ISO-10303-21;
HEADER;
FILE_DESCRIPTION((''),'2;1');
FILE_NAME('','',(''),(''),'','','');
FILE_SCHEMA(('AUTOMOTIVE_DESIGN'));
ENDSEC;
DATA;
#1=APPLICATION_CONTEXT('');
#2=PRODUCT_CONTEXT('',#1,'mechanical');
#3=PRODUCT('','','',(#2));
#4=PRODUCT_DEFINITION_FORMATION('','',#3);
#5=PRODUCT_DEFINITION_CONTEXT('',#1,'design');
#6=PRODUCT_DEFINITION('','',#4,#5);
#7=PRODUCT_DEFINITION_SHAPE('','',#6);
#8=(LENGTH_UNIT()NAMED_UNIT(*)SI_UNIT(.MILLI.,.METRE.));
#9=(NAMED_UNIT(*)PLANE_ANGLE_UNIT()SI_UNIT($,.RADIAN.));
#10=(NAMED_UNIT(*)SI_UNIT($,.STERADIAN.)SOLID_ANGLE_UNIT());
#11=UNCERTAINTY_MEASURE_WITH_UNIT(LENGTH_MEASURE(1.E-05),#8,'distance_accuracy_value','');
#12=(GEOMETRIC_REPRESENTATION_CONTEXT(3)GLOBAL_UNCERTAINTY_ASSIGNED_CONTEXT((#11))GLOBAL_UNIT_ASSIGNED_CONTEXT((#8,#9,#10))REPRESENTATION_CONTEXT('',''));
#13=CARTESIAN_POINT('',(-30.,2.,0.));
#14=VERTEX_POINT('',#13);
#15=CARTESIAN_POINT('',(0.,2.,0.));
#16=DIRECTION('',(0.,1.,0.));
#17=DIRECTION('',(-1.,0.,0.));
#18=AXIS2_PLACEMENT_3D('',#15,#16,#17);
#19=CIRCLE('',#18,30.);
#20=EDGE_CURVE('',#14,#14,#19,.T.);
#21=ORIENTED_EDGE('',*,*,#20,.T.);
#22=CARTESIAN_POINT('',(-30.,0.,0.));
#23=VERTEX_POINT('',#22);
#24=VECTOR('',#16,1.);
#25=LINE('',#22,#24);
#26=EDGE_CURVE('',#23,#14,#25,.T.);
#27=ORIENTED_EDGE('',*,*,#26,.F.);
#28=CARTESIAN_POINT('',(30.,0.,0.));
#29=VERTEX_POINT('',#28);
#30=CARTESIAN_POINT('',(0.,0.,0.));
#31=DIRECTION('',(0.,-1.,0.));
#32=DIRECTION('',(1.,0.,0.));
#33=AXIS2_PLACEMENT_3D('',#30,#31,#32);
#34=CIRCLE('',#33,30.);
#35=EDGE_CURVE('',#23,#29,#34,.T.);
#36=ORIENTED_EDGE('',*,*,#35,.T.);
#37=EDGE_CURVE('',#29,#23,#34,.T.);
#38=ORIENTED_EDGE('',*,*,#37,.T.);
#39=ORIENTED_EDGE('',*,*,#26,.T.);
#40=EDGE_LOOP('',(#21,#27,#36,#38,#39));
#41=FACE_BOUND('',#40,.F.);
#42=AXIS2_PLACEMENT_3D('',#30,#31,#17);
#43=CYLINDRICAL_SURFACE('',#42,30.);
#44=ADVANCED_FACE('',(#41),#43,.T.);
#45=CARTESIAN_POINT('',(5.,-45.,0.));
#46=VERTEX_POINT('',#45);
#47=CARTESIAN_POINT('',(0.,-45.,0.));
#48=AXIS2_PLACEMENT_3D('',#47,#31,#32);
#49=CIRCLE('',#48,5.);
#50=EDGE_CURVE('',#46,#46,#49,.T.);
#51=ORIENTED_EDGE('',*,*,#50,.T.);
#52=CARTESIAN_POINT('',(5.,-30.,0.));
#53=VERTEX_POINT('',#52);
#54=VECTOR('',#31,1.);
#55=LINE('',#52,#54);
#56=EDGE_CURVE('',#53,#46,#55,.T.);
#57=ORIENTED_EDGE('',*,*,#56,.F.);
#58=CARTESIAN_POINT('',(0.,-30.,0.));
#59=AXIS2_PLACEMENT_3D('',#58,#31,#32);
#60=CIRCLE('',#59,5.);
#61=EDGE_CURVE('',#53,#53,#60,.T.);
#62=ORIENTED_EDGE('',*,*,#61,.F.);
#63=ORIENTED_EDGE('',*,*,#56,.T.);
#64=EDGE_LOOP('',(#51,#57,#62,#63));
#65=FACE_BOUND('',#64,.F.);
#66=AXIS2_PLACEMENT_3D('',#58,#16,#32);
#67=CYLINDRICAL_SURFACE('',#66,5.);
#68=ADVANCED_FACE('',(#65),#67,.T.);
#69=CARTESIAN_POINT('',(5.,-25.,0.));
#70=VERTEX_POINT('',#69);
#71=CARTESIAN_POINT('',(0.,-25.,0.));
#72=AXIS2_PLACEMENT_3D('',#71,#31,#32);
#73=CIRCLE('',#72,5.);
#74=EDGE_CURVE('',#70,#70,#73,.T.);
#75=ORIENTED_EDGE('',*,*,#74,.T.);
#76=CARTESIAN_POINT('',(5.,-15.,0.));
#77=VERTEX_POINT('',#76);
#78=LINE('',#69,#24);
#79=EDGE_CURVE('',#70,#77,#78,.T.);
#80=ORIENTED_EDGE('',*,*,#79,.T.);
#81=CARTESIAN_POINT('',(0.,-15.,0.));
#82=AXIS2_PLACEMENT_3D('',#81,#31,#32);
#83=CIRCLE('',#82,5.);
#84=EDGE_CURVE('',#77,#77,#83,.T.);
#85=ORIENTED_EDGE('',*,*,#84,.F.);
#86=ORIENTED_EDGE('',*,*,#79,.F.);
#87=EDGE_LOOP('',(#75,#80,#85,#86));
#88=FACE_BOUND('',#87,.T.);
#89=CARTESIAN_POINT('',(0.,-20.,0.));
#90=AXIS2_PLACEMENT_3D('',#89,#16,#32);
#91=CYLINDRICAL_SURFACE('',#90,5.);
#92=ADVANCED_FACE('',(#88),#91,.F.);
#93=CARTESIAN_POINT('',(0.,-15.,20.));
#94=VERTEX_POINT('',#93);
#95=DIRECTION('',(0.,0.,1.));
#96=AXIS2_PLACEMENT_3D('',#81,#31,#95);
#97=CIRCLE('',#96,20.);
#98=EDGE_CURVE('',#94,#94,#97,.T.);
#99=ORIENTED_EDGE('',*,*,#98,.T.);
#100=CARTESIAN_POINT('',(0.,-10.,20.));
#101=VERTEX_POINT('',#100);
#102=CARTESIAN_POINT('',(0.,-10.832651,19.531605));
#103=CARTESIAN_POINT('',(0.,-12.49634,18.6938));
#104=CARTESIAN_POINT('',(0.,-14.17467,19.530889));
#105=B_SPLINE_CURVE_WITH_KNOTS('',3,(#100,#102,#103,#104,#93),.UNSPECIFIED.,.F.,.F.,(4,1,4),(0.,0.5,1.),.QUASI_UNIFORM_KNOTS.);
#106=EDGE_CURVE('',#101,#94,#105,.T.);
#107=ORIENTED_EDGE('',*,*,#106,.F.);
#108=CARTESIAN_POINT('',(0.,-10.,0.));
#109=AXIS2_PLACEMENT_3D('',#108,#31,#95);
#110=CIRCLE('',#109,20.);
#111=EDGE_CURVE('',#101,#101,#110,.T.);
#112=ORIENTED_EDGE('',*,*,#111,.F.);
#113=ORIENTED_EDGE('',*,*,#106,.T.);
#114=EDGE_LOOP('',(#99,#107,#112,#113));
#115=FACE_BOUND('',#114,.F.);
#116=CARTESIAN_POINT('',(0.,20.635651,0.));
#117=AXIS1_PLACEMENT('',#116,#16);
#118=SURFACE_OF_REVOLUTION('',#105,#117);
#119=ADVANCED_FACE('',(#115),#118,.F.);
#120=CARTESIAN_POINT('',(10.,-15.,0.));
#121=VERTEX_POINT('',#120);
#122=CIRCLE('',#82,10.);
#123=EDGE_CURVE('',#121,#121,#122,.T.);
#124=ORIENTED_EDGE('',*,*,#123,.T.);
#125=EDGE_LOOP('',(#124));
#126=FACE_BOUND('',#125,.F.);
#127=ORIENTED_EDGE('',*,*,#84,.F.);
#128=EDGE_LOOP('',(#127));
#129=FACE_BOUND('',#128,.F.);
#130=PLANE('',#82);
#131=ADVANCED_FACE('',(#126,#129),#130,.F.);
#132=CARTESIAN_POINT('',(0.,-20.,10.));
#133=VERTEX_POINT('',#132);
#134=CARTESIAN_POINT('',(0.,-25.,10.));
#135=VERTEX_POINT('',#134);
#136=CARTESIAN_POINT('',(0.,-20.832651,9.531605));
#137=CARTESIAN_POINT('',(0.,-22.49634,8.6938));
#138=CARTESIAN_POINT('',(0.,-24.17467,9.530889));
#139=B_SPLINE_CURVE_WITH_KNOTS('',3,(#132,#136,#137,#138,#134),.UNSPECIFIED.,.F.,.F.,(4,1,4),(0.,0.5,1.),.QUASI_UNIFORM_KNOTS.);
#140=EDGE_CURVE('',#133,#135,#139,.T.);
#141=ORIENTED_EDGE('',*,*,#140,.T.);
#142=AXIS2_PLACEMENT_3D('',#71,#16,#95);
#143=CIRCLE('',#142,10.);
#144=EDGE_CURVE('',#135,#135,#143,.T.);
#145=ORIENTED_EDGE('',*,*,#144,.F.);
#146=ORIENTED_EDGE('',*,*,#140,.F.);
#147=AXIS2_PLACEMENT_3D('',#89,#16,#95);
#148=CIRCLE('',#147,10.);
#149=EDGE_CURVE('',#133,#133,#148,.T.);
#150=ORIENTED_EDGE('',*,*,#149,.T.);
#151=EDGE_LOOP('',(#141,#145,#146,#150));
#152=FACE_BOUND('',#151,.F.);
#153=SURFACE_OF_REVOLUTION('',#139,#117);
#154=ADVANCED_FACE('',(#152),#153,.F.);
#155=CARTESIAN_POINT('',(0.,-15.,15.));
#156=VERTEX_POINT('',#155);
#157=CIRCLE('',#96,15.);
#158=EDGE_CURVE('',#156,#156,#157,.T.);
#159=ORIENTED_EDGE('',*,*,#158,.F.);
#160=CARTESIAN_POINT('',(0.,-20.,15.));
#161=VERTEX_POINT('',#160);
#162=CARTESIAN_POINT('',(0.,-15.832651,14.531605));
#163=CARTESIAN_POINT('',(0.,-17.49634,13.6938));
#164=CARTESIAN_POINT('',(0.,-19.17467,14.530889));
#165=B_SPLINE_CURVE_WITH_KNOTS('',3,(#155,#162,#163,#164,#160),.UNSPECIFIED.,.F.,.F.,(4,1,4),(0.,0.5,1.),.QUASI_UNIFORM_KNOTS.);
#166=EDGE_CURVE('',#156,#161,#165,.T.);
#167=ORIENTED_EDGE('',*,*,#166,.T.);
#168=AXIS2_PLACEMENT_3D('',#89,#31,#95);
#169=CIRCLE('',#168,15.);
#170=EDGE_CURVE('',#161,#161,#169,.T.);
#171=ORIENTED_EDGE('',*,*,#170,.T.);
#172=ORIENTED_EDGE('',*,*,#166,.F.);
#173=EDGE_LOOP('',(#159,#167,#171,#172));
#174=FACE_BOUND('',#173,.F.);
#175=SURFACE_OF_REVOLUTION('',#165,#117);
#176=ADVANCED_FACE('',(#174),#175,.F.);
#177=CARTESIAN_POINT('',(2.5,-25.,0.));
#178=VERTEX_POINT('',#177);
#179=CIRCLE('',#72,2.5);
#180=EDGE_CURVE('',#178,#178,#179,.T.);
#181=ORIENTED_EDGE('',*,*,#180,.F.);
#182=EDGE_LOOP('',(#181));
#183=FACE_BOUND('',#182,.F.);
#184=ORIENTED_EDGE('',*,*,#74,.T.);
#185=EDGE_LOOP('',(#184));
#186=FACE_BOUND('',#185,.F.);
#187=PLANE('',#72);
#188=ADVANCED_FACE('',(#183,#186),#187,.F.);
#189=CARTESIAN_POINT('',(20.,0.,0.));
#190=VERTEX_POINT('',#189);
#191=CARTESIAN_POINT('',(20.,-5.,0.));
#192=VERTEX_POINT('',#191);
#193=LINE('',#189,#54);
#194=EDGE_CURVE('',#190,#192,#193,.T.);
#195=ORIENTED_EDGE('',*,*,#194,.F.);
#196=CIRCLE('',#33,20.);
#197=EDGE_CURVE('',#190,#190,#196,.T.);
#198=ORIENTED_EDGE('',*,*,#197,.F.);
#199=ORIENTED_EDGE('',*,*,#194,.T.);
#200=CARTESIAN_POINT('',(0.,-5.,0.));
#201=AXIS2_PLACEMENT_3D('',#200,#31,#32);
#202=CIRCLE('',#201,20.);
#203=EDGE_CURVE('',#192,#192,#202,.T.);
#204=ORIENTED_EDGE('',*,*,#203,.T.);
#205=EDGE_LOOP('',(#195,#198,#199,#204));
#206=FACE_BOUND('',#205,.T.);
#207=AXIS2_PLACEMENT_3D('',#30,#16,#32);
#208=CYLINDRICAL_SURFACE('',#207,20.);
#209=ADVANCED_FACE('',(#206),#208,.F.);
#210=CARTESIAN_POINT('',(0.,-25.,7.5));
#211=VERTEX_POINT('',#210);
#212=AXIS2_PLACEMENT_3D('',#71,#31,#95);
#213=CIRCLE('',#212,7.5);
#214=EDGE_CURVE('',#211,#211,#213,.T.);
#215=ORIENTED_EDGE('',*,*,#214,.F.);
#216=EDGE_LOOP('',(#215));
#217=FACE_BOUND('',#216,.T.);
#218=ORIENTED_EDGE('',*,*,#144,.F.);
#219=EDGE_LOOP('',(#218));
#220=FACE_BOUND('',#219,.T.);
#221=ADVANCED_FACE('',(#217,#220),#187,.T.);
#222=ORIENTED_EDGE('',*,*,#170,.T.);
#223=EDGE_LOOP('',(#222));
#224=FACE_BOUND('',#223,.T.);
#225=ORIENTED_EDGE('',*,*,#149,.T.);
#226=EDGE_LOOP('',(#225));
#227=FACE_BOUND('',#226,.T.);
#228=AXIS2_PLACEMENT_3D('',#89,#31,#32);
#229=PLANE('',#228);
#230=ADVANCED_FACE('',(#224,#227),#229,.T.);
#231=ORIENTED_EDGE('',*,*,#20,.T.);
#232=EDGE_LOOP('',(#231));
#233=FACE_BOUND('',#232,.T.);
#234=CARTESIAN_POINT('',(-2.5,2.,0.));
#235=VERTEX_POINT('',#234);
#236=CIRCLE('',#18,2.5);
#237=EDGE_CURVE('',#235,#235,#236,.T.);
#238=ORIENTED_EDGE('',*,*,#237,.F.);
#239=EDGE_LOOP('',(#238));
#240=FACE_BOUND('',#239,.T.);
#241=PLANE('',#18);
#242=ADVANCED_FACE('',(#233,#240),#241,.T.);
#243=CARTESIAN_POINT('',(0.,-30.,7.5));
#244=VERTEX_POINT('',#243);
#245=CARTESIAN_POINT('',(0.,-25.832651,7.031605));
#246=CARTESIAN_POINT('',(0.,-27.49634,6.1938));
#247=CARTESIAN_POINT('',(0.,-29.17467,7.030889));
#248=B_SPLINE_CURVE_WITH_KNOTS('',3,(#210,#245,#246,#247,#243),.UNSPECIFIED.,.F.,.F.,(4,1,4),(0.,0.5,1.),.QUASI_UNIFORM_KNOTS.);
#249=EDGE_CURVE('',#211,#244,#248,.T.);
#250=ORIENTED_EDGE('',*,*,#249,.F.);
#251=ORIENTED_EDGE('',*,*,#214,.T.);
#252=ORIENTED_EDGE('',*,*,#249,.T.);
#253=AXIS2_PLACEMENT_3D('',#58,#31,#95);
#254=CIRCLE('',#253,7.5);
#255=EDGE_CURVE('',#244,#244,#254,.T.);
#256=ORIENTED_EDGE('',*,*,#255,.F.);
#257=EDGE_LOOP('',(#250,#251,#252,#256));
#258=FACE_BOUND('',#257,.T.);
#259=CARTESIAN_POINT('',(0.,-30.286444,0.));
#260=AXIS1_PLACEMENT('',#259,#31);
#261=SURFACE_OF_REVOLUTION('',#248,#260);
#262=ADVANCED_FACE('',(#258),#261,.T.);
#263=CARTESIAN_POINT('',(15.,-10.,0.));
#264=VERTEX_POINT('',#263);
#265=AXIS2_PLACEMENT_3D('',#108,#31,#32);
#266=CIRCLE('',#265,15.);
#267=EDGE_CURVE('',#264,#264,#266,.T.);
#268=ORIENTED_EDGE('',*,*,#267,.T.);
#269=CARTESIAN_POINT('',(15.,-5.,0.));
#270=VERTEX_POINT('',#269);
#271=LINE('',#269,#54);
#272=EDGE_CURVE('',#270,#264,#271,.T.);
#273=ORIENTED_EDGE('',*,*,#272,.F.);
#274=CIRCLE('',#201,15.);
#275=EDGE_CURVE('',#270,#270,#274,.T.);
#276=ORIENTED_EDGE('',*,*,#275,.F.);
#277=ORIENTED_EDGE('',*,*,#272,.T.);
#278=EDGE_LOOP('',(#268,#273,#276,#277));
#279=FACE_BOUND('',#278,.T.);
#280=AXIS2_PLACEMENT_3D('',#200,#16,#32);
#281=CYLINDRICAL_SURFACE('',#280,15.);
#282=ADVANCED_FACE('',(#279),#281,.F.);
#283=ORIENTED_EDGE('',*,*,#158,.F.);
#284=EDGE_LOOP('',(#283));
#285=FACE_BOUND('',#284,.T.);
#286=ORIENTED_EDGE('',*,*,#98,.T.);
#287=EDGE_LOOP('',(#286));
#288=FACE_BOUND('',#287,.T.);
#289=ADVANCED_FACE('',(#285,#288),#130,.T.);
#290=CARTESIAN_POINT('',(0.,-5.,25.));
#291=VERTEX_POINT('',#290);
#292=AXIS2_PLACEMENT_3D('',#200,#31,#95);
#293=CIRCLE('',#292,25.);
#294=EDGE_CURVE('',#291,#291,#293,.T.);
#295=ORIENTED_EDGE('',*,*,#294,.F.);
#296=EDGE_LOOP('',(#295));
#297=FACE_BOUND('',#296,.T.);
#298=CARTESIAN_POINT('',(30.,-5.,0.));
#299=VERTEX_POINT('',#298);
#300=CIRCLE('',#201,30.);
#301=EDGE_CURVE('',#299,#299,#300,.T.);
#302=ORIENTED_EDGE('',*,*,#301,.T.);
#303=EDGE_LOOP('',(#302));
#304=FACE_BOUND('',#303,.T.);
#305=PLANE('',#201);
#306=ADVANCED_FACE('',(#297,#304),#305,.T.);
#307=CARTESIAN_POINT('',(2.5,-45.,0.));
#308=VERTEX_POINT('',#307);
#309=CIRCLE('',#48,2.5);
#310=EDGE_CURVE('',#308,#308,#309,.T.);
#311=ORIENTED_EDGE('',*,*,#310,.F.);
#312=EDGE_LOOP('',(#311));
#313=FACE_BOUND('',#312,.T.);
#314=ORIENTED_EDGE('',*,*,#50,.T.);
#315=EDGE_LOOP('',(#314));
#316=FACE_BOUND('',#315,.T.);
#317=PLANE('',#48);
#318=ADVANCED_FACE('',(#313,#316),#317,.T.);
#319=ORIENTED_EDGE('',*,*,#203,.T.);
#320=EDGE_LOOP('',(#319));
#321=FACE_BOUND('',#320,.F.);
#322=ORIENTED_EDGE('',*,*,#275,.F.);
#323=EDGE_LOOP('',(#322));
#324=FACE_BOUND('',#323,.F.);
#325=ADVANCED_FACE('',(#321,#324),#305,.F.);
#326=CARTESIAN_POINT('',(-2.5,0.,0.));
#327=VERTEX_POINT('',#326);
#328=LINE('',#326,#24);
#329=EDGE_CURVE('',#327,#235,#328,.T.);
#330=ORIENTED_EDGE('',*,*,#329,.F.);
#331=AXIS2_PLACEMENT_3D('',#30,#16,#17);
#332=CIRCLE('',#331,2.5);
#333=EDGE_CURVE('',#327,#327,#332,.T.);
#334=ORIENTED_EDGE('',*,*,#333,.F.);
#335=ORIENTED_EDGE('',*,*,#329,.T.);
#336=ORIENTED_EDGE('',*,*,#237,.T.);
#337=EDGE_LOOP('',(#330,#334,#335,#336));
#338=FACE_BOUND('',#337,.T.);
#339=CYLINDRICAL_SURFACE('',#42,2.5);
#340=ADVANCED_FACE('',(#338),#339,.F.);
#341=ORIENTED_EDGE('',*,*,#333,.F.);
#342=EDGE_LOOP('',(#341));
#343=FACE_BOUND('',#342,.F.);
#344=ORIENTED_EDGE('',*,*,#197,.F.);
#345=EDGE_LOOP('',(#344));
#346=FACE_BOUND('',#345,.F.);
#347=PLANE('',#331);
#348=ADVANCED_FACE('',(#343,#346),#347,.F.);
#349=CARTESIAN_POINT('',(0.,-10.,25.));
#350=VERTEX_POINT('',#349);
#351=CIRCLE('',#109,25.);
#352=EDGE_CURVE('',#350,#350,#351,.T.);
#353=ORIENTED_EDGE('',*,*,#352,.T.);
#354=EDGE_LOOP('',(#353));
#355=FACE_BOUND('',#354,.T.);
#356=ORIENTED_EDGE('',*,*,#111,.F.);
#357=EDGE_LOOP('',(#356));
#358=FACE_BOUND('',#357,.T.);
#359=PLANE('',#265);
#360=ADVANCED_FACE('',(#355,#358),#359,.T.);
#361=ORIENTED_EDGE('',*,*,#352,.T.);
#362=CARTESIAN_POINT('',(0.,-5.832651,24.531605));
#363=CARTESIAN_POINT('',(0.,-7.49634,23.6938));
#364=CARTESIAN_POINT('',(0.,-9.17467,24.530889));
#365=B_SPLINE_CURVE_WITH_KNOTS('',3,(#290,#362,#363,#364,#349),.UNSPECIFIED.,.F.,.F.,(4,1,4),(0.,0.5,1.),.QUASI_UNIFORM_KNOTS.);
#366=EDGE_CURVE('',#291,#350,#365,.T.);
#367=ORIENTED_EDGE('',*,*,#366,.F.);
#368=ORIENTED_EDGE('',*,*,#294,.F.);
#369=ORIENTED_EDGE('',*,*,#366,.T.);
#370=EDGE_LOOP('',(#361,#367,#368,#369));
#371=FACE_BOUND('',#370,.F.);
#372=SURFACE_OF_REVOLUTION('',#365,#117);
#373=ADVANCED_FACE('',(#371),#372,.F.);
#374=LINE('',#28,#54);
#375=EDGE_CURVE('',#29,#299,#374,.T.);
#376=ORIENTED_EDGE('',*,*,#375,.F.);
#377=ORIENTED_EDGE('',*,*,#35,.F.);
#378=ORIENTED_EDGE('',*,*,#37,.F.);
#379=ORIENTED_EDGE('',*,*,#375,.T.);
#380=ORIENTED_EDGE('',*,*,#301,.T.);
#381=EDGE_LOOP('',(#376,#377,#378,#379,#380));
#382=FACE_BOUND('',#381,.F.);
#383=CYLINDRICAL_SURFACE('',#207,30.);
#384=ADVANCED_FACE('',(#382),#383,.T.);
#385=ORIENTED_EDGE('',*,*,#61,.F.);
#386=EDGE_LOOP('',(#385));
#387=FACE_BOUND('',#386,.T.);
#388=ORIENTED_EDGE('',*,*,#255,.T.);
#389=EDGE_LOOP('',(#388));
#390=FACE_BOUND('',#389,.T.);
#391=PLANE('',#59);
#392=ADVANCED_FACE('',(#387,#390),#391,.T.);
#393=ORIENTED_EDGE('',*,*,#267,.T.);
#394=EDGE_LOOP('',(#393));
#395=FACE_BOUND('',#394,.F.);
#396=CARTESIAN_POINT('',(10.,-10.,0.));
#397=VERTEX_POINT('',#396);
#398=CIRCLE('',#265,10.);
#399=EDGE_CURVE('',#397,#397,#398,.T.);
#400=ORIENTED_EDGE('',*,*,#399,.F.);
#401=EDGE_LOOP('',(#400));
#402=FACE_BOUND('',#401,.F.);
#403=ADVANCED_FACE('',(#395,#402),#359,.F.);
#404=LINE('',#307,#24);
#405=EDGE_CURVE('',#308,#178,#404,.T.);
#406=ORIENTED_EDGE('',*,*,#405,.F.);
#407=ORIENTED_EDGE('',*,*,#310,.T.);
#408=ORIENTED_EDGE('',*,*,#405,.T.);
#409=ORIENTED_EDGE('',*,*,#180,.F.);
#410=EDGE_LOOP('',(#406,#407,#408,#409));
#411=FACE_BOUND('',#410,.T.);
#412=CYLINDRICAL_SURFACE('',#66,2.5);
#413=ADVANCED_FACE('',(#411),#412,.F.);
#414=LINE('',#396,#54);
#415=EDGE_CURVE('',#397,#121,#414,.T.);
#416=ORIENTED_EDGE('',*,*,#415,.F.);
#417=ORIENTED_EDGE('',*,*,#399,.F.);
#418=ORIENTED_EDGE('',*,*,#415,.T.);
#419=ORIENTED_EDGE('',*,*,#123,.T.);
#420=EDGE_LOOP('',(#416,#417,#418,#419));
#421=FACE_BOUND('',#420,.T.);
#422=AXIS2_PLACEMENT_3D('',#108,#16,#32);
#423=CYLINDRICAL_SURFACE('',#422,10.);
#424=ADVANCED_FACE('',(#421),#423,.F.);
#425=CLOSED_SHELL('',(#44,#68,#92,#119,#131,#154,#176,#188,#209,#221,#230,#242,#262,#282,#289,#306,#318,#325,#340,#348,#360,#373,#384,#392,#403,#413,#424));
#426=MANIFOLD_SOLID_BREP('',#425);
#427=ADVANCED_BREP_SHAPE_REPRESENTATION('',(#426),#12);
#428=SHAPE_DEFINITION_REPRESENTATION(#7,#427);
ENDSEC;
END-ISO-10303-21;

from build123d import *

# Parameters (mm, degrees)
F0_R      = 30
F0_R_2    = 20
F1_DEPTH  = 5
F2_R      = 25
F2_R_2    = 20
F2_R_3    = 15
F3_DEPTH  = 5
F4_R      = 20
F4_R_2    = 15
F4_R_3    = 10
F5_DEPTH  = 5
F6_R      = 15
F6_R_2    = 10
F6_R_3    = 5
F7_DEPTH  = 5
F8_R      = 10
F8_R_2    = 5
F9_DEPTH  = 5
F13_R     = 7.5
F13_R_2   = 5
F13_R_3   = 2.5
F14_DEPTH = 5
F15_R     = 5
F15_R_2   = 2.5
F16_DEPTH = 15
F19_R     = 30
F19_R_2   = 2.5
F20_DEPTH = 2


with BuildPart() as f1:
    # F0 (on Front) → F1 (new body)
    with BuildSketch(Plane.XZ):
        Circle(F0_R)
        Circle(F0_R_2, mode=Mode.SUBTRACT)
    extrude(amount=F1_DEPTH)

    # F2 (on face) → F3 (join)
    with BuildSketch(Plane.XZ.offset(5)):
        Circle(F2_R)
        Circle(F2_R_2, mode=Mode.SUBTRACT)
        Circle(F2_R_2)
        Circle(F2_R_3, mode=Mode.SUBTRACT)
    extrude(amount=F3_DEPTH)

    # F4 (on face) → F5 (join)
    with BuildSketch(Plane.XZ.offset(10)):
        Circle(F4_R)
        Circle(F4_R_2, mode=Mode.SUBTRACT)
        Circle(F4_R_2)
        Circle(F4_R_3, mode=Mode.SUBTRACT)
    extrude(amount=F5_DEPTH)

    # F6 (on face) → F7 (join)
    with BuildSketch(Plane.XZ.offset(15)):
        Circle(F6_R)
        Circle(F6_R_2, mode=Mode.SUBTRACT)
        Circle(F6_R_2)
        Circle(F6_R_3, mode=Mode.SUBTRACT)
    extrude(amount=F7_DEPTH)

    # F8 (on face) → F9 (join)
    with BuildSketch(Plane.XZ.offset(20)):
        Circle(F8_R)
        Circle(F8_R_2, mode=Mode.SUBTRACT)
    extrude(amount=F9_DEPTH)

    # F10 (on Right) → F12 (revolve, cut)
    with BuildSketch(Plane.YZ):
        with BuildLine():
            add(Edge.make_bspline(
                [(-5, 25), (-5.8326505031, 24.531605213), (-7.4963397946, 23.693799982), (-9.1746699077, 24.5308889348), (-10, 25)],
                knots=[0, 0, 0, 0, 0.5, 1, 1, 1, 1], degree=3))
            Line((-5, 25), (-10, 25))
        make_face()
        with BuildLine():
            add(Edge.make_bspline(
                [(-10, 20), (-10.8326505031, 19.531605213), (-12.4963397946, 18.693799982), (-14.1746699077, 19.5308889348), (-15, 20)],
                knots=[0, 0, 0, 0, 0.5, 1, 1, 1, 1], degree=3))
            Line((-10, 20), (-15, 20))
        make_face()
        with BuildLine():
            add(Edge.make_bspline(
                [(-15, 15), (-15.8326505031, 14.531605213), (-17.4963397946, 13.693799982), (-19.1746699077, 14.5308889348), (-20, 15)],
                knots=[0, 0, 0, 0, 0.5, 1, 1, 1, 1], degree=3))
            Line((-15, 15), (-20, 15))
        make_face()
        with BuildLine():
            add(Edge.make_bspline(
                [(-20, 10), (-20.8326505031, 9.531605213), (-22.4963397946, 8.693799982), (-24.1746699077, 9.5308889348), (-25, 10)],
                knots=[0, 0, 0, 0, 0.5, 1, 1, 1, 1], degree=3))
            Line((-20, 10), (-25, 10))
        make_face()
    revolve(axis=Axis((0, 20.6356514245, 0), (0, 1, 0)), mode=Mode.SUBTRACT)

    # F13 (on face) → F14 (join)
    with BuildSketch(Plane.XZ.offset(25)):
        Circle(F13_R)
        Circle(F13_R_2, mode=Mode.SUBTRACT)
        Circle(F13_R_2)
        Circle(F13_R_3, mode=Mode.SUBTRACT)
    extrude(amount=F14_DEPTH)

    # F15 (on face) → F16 (join)
    with BuildSketch(Plane.XZ.offset(30)):
        Circle(F15_R)
        Circle(F15_R_2, mode=Mode.SUBTRACT)
    extrude(amount=F16_DEPTH)

    # F17 (on Right) → F18 (revolve, cut)
    with BuildSketch(Plane.YZ):
        with BuildLine():
            add(Edge.make_bspline(
                [(-25, 7.5), (-25.8326505031, 7.031605213), (-27.4963397946, 6.193799982), (-29.1746699077, 7.0308889348), (-30, 7.5)],
                knots=[0, 0, 0, 0, 0.5, 1, 1, 1, 1], degree=3))
            Line((-25, 7.5), (-30, 7.5))
        make_face()
    revolve(axis=Axis((0, -30.2864443511, 0), (0, -1, 0)), mode=Mode.SUBTRACT)

    # F19 (on face) → F20 (join)
    with BuildSketch(Plane(origin=(0, 0, 0), x_dir=(-1, 0, 0), z_dir=(0, 1, 0))):
        Circle(F19_R)
        Circle(F19_R_2, mode=Mode.SUBTRACT)
    extrude(amount=F20_DEPTH)


solid = f1.part
